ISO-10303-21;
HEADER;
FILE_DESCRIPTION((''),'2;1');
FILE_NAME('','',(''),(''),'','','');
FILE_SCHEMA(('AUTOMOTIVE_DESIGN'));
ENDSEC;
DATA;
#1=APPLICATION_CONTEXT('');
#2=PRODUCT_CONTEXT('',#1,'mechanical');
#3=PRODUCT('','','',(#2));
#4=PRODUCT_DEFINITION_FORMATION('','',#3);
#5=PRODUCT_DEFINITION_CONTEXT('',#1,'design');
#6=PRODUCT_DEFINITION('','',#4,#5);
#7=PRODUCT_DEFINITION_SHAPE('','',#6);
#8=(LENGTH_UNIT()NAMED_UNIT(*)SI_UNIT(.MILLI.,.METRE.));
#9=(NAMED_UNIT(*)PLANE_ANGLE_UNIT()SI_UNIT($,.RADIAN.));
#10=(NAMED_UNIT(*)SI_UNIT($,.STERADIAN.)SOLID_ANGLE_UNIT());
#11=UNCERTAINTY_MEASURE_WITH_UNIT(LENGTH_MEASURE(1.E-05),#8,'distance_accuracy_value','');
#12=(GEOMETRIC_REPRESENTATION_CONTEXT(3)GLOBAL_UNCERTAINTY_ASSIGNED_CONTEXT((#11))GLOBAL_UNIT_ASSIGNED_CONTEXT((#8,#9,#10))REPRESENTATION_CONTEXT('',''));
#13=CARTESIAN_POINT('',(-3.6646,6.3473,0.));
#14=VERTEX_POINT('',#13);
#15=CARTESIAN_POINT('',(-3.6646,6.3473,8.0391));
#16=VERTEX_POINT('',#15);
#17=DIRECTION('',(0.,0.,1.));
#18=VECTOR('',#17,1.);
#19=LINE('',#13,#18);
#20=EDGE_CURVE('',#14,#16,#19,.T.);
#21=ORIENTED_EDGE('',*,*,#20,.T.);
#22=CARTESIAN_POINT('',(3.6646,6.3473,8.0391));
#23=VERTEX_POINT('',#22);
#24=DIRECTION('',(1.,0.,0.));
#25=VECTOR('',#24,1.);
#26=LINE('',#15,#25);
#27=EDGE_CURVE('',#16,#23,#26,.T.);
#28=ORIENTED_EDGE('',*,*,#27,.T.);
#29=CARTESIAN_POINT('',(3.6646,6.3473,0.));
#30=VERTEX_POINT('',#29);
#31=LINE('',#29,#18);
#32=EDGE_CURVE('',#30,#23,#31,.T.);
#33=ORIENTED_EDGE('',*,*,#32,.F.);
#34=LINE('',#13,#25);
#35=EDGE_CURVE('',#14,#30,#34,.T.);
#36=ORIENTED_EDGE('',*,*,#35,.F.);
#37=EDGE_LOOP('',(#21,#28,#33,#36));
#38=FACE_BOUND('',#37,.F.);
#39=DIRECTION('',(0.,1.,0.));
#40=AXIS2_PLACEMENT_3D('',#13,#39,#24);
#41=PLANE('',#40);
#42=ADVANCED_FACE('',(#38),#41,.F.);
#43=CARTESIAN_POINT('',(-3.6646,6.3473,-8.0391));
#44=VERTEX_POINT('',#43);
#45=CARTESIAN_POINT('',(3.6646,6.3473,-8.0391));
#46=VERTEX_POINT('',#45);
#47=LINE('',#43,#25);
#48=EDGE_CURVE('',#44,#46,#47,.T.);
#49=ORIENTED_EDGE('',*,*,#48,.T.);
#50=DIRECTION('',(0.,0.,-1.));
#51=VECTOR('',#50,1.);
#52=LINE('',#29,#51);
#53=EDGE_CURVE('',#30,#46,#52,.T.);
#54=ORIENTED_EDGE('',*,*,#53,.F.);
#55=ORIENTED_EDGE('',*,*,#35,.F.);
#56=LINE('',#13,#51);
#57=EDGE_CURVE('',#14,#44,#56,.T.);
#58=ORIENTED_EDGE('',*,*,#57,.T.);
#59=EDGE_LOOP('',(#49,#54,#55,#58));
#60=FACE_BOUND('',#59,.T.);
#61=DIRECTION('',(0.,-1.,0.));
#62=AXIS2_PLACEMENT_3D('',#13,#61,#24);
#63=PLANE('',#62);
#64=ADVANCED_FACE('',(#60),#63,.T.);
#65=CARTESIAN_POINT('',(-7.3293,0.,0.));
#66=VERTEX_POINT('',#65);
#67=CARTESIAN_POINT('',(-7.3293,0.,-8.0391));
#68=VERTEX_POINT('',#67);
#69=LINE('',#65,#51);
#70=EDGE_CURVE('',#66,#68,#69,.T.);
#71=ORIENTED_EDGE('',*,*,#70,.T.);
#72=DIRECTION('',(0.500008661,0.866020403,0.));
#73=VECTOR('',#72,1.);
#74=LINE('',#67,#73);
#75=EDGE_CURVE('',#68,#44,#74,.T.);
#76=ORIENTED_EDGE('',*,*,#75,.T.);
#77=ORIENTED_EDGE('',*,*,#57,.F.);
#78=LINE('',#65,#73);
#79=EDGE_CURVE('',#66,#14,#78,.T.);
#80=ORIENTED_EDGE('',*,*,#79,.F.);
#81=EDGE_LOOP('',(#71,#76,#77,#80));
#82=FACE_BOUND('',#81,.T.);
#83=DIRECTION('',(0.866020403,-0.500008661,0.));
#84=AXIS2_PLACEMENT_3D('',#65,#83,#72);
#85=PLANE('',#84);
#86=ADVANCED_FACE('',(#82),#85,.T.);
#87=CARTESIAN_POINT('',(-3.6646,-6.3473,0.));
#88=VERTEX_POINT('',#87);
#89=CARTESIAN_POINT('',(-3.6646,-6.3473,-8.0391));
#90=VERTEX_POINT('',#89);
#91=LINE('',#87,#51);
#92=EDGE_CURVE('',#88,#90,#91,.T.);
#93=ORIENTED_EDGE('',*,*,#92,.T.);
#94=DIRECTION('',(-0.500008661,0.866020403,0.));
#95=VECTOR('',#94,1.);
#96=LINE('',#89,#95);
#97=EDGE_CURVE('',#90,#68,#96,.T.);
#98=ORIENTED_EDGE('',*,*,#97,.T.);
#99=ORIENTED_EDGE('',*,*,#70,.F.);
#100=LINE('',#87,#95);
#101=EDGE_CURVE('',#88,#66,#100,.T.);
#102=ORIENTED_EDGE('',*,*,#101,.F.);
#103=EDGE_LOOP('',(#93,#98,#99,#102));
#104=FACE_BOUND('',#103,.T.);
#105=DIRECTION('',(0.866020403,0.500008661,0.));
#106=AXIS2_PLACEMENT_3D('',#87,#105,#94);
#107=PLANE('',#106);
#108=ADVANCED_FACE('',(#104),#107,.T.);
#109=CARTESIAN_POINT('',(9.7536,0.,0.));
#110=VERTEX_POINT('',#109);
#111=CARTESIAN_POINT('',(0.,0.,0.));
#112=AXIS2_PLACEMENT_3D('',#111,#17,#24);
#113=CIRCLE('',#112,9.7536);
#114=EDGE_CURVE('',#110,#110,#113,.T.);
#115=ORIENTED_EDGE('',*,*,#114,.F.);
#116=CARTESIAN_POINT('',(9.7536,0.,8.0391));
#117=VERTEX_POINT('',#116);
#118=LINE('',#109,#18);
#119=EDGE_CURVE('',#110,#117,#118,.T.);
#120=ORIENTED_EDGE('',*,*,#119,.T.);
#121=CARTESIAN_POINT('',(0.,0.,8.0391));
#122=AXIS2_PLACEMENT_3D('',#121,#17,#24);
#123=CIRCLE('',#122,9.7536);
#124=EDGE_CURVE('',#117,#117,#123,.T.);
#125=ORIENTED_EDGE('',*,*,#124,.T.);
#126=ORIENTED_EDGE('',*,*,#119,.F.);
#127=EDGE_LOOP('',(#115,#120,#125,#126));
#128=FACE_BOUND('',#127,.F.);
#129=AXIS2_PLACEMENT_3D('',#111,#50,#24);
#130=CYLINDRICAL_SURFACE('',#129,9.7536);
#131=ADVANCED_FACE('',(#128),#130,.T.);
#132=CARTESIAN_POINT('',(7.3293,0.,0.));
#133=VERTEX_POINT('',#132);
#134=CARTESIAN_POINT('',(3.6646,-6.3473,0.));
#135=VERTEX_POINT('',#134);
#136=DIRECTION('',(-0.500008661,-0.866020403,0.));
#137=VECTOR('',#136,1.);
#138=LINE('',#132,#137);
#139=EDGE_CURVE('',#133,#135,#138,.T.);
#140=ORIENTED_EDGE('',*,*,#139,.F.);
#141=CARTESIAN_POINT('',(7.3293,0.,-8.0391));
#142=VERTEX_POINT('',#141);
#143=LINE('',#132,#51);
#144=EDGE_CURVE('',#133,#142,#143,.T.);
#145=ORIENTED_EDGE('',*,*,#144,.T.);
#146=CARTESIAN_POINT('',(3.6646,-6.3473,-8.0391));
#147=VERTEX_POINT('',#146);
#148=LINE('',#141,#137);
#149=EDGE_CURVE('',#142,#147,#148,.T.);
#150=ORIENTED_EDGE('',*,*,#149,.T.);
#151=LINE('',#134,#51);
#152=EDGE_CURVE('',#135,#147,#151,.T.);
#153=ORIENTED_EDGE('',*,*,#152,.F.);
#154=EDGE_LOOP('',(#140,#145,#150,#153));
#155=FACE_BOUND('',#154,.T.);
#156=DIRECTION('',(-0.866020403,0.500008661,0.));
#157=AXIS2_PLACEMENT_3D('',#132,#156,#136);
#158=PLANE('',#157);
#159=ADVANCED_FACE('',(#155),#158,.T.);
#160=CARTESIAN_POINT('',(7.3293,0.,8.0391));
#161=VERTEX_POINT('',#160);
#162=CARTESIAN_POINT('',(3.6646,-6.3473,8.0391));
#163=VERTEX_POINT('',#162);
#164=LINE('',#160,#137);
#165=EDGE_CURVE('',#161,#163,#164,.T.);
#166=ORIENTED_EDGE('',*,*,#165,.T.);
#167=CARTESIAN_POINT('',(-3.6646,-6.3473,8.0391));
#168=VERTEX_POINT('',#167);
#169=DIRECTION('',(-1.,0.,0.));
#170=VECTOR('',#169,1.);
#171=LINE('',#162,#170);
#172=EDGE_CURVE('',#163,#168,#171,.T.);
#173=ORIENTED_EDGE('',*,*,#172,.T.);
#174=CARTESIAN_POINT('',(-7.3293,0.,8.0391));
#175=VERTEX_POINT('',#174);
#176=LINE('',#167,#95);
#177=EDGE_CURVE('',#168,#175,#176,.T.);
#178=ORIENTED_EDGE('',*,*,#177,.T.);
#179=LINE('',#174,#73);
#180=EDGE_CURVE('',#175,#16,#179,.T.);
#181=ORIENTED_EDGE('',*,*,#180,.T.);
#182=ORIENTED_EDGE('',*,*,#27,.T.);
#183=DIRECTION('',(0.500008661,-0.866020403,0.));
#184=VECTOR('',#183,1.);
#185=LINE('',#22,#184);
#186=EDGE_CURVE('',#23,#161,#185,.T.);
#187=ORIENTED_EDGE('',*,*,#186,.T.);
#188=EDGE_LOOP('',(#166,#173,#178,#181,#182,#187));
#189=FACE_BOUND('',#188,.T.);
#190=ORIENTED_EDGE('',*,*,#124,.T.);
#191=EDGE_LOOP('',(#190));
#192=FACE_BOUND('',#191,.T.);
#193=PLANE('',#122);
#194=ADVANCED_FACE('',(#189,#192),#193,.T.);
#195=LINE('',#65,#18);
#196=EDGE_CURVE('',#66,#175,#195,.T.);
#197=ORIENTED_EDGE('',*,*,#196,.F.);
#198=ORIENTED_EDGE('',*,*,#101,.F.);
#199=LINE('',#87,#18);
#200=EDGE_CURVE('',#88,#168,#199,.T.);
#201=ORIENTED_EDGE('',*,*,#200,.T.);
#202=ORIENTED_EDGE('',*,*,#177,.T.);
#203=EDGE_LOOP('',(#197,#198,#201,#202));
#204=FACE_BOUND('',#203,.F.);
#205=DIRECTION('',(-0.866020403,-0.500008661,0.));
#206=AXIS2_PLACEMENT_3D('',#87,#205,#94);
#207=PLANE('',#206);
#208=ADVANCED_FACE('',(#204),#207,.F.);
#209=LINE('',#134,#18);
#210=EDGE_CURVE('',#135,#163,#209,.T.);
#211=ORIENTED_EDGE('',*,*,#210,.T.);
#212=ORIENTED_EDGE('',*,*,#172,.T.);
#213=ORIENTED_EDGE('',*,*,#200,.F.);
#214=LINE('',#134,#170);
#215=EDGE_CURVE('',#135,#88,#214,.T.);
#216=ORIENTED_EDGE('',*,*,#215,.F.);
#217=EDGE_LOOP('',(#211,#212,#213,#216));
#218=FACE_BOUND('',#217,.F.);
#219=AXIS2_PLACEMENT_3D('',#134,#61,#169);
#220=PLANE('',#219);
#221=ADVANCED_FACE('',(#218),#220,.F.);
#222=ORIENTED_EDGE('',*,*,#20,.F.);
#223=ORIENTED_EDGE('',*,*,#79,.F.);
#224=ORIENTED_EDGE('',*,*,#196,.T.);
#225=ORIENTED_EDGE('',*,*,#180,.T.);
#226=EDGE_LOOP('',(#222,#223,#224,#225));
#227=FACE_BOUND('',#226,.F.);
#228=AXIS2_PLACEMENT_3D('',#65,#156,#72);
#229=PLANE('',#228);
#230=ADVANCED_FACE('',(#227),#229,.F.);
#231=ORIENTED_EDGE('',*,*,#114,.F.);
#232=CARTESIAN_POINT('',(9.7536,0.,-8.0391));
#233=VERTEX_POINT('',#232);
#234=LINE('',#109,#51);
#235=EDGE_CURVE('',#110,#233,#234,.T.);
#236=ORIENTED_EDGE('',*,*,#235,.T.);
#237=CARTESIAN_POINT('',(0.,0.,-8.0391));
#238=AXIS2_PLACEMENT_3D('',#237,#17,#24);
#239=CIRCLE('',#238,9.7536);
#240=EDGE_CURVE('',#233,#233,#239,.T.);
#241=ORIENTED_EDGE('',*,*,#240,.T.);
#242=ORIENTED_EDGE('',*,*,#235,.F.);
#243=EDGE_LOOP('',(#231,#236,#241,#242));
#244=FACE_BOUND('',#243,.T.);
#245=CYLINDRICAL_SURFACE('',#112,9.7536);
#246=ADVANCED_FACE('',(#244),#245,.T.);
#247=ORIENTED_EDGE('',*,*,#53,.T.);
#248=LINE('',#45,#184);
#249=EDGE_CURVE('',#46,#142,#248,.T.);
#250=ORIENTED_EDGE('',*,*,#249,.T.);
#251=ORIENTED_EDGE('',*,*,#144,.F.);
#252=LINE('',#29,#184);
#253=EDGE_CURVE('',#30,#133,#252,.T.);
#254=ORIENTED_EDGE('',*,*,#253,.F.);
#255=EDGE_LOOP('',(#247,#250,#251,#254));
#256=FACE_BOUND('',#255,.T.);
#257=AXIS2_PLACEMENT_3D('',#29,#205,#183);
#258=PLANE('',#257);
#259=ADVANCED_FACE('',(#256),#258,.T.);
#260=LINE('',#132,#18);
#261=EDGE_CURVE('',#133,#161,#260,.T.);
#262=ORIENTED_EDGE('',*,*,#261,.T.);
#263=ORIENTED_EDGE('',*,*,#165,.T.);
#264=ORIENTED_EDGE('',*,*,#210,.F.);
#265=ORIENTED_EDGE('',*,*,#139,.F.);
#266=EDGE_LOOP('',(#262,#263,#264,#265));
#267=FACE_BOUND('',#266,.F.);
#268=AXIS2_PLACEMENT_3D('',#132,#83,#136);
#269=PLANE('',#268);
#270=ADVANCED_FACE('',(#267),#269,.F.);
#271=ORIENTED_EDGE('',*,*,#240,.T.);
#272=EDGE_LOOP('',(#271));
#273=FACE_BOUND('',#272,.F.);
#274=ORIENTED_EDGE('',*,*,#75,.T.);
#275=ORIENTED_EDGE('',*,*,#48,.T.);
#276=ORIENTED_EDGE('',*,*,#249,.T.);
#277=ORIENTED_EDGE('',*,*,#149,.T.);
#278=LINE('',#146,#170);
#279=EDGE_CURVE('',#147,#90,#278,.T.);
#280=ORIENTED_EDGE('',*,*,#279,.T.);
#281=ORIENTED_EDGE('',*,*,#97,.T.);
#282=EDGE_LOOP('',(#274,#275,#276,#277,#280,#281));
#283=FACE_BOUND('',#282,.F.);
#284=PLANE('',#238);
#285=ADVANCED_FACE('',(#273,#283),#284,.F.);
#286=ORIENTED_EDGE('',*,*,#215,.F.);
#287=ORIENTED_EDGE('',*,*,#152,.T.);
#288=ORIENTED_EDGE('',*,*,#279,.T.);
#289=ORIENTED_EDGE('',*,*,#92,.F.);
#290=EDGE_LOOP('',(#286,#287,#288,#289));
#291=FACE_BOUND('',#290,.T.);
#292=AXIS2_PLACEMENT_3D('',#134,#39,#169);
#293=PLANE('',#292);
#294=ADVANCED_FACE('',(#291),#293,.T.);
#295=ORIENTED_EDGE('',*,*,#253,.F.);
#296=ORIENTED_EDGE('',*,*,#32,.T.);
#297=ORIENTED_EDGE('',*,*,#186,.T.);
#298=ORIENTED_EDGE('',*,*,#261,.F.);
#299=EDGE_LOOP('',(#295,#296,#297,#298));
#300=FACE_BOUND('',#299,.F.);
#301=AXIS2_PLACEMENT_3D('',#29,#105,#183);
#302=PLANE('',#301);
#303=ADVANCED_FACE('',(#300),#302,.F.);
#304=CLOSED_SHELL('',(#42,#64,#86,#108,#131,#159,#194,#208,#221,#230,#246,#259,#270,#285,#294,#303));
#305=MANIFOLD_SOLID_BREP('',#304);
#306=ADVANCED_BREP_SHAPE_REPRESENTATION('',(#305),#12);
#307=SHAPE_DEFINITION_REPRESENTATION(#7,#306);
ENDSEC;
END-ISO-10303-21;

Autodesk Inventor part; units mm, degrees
ref_plane "YZ Plane" through (0, 0, 0) normal (1, 0, 0) x (0, 1, 0)
ref_plane "XZ Plane" through (0, 0, 0) normal (0, 1, 0) x (-1, 0, 0)
ref_plane "XY Plane" through (0, 0, 0) normal (0, 0, 1) x (1, 0, 0)
sketch "Sketch1" plane through (0, 0, 0) normal (0, 0, 1) x (1, 0, 0)
  line L0 (7.3293, 0) -> (3.6646, -6.3473)
  line L1 (3.6646, -6.3473) -> (-3.6646, -6.3473)
  line L2 (-3.6646, -6.3473) -> (-7.3293, 0)
  line L3 (-7.3293, 0) -> (-3.6646, 6.3473)
  line L4 (-3.6646, 6.3473) -> (3.6646, 6.3473)
  line L5 (3.6646, 6.3473) -> (7.3293, 0)
  circle A0 centre (0, 0) radius 9.7536
  dimension "d0" = 19.5072
  dimension "d1" = 12.6947
extrude "Extrusion1" add sketch "Sketch1" along normal mid plane 16.0782
properties part number "0.633 Spacer 0.5 Hex"
